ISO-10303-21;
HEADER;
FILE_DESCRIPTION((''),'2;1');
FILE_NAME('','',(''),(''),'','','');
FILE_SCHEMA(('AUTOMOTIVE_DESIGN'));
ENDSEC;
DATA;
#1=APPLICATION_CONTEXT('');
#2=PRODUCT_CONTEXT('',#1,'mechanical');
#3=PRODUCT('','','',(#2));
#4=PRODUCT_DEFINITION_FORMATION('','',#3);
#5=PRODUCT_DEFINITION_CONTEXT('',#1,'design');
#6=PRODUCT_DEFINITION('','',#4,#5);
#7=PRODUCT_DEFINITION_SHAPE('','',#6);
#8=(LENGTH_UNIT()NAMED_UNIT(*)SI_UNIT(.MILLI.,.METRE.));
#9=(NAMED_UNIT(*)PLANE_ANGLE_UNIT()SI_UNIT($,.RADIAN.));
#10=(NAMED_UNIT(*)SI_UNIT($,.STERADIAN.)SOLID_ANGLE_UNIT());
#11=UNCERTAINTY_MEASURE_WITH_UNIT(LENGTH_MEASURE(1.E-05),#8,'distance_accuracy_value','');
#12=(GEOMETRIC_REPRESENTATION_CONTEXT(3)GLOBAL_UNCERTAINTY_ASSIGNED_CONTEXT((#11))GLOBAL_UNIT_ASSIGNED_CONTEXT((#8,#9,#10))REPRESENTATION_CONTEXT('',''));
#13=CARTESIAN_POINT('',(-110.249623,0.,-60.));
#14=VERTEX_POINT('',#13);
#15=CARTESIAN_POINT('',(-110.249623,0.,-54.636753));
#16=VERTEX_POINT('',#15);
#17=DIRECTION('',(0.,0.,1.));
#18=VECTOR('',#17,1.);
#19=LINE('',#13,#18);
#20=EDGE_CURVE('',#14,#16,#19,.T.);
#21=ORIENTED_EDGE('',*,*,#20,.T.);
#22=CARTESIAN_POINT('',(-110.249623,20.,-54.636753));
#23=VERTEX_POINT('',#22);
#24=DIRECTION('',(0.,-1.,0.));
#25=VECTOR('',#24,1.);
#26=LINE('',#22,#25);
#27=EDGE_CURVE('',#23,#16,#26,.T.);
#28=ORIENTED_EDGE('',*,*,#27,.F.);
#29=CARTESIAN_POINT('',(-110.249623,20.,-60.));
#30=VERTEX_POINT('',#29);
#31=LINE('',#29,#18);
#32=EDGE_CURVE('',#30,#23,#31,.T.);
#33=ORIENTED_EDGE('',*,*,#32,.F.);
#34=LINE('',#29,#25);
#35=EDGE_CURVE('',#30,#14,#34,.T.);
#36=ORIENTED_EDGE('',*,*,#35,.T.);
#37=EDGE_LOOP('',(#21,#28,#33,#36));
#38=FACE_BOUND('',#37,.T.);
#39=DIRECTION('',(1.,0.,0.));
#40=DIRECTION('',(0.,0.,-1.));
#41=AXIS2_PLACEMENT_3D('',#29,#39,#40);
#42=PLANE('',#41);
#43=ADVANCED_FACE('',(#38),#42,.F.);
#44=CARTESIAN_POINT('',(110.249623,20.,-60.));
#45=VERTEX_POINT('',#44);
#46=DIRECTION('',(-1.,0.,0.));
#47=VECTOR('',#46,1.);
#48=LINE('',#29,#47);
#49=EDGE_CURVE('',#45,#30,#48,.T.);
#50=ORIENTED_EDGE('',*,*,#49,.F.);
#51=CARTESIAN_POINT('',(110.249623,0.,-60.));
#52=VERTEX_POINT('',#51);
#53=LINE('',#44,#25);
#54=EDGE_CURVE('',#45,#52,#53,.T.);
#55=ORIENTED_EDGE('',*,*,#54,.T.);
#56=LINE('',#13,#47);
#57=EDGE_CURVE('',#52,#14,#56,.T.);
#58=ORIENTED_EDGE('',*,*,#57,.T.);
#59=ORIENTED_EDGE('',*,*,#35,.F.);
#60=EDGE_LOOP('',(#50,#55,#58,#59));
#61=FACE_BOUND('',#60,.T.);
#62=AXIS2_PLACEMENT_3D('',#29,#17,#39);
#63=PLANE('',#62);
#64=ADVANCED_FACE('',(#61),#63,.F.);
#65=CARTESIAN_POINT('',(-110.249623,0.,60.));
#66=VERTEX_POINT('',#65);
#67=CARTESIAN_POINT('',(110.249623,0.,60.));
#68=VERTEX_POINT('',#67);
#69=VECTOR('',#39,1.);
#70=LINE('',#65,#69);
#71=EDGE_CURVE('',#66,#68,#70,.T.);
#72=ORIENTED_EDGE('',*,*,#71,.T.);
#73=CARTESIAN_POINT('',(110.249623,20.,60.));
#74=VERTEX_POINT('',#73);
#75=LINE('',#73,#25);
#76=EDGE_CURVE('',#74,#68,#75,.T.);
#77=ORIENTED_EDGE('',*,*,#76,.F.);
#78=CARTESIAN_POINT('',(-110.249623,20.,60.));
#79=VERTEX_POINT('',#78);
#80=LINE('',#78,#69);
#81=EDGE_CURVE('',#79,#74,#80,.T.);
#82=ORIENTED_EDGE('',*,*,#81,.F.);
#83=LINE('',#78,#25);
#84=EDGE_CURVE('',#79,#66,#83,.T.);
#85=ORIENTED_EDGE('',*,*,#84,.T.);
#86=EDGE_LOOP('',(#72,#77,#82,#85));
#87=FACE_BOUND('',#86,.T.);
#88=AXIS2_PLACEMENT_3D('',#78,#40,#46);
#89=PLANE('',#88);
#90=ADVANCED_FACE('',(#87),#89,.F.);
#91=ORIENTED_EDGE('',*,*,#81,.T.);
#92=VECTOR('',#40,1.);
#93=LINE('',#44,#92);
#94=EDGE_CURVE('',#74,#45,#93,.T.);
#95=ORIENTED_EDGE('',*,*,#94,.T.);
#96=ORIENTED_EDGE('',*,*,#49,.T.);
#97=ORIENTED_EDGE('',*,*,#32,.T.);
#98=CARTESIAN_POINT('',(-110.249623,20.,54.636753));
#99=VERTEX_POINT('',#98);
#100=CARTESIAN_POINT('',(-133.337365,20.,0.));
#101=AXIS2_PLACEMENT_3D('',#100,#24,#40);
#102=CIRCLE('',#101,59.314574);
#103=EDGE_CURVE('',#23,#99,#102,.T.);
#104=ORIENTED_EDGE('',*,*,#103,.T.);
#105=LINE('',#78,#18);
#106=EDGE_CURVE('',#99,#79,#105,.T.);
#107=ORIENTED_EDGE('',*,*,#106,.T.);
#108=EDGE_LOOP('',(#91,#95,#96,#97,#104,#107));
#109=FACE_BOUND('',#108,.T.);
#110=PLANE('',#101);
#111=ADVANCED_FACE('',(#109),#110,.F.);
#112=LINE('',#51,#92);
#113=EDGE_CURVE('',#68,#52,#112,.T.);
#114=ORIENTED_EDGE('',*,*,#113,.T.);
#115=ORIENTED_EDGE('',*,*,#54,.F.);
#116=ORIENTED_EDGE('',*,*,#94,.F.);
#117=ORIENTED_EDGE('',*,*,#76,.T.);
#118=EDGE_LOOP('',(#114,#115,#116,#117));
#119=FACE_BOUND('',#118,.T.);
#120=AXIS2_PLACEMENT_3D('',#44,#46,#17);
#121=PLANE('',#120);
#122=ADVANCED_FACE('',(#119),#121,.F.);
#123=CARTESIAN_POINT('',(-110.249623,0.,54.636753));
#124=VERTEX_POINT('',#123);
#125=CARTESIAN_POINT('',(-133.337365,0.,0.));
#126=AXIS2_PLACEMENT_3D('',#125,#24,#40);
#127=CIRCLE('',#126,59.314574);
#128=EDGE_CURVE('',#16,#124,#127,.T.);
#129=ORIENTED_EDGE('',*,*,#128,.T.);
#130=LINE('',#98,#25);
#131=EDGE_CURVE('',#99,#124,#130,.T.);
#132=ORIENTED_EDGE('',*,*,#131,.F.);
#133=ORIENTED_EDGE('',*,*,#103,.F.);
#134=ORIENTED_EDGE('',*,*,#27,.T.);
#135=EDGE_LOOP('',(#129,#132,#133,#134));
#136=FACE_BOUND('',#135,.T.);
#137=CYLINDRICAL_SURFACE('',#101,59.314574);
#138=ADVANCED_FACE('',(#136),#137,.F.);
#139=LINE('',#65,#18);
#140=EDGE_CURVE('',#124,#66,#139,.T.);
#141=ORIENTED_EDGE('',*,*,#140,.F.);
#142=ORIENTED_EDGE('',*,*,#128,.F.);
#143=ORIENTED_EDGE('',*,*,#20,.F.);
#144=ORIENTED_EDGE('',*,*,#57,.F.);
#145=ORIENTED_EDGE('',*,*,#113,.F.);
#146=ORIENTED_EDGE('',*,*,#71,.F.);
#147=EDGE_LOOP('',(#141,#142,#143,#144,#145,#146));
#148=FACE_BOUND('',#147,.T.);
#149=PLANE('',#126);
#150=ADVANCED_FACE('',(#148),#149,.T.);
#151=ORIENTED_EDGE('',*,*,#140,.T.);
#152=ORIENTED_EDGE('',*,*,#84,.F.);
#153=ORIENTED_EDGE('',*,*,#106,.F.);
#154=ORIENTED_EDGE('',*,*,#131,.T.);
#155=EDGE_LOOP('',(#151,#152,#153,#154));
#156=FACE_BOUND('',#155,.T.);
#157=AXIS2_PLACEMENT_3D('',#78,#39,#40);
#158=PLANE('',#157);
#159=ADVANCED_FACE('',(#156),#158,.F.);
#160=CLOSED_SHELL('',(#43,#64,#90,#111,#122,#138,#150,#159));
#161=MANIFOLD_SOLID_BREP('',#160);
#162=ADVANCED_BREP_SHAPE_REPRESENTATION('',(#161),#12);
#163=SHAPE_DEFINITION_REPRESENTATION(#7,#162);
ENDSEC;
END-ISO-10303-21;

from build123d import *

# Parameters (mm, degrees)
EXTRUDE_1_DEPTH = 20


with BuildPart() as part:
    # Эскиз2 → Бобышка-Вытянуть1 (new body)
    with BuildSketch(Plane(origin=(0, 0, 0), x_dir=(1, 0, 0), z_dir=(0, 1, 0))):
        with BuildLine():
            Line((-110.249622757, 60), (-110.249622757, 54.636753066))
            ThreePointArc((-110.249622757, 54.636753066), (-74.022791587, 0), (-110.249622757, -54.636753066))
            Line((-110.249622757, -54.636753066), (-110.249622757, -60))
            Line((-110.249622757, -60), (110.249622757, -60))
            Line((110.249622757, -60), (110.249622757, 60))
            Line((110.249622757, 60), (-110.249622757, 60))
        make_face()
    extrude(amount=EXTRUDE_1_DEPTH)


solid = part.part
